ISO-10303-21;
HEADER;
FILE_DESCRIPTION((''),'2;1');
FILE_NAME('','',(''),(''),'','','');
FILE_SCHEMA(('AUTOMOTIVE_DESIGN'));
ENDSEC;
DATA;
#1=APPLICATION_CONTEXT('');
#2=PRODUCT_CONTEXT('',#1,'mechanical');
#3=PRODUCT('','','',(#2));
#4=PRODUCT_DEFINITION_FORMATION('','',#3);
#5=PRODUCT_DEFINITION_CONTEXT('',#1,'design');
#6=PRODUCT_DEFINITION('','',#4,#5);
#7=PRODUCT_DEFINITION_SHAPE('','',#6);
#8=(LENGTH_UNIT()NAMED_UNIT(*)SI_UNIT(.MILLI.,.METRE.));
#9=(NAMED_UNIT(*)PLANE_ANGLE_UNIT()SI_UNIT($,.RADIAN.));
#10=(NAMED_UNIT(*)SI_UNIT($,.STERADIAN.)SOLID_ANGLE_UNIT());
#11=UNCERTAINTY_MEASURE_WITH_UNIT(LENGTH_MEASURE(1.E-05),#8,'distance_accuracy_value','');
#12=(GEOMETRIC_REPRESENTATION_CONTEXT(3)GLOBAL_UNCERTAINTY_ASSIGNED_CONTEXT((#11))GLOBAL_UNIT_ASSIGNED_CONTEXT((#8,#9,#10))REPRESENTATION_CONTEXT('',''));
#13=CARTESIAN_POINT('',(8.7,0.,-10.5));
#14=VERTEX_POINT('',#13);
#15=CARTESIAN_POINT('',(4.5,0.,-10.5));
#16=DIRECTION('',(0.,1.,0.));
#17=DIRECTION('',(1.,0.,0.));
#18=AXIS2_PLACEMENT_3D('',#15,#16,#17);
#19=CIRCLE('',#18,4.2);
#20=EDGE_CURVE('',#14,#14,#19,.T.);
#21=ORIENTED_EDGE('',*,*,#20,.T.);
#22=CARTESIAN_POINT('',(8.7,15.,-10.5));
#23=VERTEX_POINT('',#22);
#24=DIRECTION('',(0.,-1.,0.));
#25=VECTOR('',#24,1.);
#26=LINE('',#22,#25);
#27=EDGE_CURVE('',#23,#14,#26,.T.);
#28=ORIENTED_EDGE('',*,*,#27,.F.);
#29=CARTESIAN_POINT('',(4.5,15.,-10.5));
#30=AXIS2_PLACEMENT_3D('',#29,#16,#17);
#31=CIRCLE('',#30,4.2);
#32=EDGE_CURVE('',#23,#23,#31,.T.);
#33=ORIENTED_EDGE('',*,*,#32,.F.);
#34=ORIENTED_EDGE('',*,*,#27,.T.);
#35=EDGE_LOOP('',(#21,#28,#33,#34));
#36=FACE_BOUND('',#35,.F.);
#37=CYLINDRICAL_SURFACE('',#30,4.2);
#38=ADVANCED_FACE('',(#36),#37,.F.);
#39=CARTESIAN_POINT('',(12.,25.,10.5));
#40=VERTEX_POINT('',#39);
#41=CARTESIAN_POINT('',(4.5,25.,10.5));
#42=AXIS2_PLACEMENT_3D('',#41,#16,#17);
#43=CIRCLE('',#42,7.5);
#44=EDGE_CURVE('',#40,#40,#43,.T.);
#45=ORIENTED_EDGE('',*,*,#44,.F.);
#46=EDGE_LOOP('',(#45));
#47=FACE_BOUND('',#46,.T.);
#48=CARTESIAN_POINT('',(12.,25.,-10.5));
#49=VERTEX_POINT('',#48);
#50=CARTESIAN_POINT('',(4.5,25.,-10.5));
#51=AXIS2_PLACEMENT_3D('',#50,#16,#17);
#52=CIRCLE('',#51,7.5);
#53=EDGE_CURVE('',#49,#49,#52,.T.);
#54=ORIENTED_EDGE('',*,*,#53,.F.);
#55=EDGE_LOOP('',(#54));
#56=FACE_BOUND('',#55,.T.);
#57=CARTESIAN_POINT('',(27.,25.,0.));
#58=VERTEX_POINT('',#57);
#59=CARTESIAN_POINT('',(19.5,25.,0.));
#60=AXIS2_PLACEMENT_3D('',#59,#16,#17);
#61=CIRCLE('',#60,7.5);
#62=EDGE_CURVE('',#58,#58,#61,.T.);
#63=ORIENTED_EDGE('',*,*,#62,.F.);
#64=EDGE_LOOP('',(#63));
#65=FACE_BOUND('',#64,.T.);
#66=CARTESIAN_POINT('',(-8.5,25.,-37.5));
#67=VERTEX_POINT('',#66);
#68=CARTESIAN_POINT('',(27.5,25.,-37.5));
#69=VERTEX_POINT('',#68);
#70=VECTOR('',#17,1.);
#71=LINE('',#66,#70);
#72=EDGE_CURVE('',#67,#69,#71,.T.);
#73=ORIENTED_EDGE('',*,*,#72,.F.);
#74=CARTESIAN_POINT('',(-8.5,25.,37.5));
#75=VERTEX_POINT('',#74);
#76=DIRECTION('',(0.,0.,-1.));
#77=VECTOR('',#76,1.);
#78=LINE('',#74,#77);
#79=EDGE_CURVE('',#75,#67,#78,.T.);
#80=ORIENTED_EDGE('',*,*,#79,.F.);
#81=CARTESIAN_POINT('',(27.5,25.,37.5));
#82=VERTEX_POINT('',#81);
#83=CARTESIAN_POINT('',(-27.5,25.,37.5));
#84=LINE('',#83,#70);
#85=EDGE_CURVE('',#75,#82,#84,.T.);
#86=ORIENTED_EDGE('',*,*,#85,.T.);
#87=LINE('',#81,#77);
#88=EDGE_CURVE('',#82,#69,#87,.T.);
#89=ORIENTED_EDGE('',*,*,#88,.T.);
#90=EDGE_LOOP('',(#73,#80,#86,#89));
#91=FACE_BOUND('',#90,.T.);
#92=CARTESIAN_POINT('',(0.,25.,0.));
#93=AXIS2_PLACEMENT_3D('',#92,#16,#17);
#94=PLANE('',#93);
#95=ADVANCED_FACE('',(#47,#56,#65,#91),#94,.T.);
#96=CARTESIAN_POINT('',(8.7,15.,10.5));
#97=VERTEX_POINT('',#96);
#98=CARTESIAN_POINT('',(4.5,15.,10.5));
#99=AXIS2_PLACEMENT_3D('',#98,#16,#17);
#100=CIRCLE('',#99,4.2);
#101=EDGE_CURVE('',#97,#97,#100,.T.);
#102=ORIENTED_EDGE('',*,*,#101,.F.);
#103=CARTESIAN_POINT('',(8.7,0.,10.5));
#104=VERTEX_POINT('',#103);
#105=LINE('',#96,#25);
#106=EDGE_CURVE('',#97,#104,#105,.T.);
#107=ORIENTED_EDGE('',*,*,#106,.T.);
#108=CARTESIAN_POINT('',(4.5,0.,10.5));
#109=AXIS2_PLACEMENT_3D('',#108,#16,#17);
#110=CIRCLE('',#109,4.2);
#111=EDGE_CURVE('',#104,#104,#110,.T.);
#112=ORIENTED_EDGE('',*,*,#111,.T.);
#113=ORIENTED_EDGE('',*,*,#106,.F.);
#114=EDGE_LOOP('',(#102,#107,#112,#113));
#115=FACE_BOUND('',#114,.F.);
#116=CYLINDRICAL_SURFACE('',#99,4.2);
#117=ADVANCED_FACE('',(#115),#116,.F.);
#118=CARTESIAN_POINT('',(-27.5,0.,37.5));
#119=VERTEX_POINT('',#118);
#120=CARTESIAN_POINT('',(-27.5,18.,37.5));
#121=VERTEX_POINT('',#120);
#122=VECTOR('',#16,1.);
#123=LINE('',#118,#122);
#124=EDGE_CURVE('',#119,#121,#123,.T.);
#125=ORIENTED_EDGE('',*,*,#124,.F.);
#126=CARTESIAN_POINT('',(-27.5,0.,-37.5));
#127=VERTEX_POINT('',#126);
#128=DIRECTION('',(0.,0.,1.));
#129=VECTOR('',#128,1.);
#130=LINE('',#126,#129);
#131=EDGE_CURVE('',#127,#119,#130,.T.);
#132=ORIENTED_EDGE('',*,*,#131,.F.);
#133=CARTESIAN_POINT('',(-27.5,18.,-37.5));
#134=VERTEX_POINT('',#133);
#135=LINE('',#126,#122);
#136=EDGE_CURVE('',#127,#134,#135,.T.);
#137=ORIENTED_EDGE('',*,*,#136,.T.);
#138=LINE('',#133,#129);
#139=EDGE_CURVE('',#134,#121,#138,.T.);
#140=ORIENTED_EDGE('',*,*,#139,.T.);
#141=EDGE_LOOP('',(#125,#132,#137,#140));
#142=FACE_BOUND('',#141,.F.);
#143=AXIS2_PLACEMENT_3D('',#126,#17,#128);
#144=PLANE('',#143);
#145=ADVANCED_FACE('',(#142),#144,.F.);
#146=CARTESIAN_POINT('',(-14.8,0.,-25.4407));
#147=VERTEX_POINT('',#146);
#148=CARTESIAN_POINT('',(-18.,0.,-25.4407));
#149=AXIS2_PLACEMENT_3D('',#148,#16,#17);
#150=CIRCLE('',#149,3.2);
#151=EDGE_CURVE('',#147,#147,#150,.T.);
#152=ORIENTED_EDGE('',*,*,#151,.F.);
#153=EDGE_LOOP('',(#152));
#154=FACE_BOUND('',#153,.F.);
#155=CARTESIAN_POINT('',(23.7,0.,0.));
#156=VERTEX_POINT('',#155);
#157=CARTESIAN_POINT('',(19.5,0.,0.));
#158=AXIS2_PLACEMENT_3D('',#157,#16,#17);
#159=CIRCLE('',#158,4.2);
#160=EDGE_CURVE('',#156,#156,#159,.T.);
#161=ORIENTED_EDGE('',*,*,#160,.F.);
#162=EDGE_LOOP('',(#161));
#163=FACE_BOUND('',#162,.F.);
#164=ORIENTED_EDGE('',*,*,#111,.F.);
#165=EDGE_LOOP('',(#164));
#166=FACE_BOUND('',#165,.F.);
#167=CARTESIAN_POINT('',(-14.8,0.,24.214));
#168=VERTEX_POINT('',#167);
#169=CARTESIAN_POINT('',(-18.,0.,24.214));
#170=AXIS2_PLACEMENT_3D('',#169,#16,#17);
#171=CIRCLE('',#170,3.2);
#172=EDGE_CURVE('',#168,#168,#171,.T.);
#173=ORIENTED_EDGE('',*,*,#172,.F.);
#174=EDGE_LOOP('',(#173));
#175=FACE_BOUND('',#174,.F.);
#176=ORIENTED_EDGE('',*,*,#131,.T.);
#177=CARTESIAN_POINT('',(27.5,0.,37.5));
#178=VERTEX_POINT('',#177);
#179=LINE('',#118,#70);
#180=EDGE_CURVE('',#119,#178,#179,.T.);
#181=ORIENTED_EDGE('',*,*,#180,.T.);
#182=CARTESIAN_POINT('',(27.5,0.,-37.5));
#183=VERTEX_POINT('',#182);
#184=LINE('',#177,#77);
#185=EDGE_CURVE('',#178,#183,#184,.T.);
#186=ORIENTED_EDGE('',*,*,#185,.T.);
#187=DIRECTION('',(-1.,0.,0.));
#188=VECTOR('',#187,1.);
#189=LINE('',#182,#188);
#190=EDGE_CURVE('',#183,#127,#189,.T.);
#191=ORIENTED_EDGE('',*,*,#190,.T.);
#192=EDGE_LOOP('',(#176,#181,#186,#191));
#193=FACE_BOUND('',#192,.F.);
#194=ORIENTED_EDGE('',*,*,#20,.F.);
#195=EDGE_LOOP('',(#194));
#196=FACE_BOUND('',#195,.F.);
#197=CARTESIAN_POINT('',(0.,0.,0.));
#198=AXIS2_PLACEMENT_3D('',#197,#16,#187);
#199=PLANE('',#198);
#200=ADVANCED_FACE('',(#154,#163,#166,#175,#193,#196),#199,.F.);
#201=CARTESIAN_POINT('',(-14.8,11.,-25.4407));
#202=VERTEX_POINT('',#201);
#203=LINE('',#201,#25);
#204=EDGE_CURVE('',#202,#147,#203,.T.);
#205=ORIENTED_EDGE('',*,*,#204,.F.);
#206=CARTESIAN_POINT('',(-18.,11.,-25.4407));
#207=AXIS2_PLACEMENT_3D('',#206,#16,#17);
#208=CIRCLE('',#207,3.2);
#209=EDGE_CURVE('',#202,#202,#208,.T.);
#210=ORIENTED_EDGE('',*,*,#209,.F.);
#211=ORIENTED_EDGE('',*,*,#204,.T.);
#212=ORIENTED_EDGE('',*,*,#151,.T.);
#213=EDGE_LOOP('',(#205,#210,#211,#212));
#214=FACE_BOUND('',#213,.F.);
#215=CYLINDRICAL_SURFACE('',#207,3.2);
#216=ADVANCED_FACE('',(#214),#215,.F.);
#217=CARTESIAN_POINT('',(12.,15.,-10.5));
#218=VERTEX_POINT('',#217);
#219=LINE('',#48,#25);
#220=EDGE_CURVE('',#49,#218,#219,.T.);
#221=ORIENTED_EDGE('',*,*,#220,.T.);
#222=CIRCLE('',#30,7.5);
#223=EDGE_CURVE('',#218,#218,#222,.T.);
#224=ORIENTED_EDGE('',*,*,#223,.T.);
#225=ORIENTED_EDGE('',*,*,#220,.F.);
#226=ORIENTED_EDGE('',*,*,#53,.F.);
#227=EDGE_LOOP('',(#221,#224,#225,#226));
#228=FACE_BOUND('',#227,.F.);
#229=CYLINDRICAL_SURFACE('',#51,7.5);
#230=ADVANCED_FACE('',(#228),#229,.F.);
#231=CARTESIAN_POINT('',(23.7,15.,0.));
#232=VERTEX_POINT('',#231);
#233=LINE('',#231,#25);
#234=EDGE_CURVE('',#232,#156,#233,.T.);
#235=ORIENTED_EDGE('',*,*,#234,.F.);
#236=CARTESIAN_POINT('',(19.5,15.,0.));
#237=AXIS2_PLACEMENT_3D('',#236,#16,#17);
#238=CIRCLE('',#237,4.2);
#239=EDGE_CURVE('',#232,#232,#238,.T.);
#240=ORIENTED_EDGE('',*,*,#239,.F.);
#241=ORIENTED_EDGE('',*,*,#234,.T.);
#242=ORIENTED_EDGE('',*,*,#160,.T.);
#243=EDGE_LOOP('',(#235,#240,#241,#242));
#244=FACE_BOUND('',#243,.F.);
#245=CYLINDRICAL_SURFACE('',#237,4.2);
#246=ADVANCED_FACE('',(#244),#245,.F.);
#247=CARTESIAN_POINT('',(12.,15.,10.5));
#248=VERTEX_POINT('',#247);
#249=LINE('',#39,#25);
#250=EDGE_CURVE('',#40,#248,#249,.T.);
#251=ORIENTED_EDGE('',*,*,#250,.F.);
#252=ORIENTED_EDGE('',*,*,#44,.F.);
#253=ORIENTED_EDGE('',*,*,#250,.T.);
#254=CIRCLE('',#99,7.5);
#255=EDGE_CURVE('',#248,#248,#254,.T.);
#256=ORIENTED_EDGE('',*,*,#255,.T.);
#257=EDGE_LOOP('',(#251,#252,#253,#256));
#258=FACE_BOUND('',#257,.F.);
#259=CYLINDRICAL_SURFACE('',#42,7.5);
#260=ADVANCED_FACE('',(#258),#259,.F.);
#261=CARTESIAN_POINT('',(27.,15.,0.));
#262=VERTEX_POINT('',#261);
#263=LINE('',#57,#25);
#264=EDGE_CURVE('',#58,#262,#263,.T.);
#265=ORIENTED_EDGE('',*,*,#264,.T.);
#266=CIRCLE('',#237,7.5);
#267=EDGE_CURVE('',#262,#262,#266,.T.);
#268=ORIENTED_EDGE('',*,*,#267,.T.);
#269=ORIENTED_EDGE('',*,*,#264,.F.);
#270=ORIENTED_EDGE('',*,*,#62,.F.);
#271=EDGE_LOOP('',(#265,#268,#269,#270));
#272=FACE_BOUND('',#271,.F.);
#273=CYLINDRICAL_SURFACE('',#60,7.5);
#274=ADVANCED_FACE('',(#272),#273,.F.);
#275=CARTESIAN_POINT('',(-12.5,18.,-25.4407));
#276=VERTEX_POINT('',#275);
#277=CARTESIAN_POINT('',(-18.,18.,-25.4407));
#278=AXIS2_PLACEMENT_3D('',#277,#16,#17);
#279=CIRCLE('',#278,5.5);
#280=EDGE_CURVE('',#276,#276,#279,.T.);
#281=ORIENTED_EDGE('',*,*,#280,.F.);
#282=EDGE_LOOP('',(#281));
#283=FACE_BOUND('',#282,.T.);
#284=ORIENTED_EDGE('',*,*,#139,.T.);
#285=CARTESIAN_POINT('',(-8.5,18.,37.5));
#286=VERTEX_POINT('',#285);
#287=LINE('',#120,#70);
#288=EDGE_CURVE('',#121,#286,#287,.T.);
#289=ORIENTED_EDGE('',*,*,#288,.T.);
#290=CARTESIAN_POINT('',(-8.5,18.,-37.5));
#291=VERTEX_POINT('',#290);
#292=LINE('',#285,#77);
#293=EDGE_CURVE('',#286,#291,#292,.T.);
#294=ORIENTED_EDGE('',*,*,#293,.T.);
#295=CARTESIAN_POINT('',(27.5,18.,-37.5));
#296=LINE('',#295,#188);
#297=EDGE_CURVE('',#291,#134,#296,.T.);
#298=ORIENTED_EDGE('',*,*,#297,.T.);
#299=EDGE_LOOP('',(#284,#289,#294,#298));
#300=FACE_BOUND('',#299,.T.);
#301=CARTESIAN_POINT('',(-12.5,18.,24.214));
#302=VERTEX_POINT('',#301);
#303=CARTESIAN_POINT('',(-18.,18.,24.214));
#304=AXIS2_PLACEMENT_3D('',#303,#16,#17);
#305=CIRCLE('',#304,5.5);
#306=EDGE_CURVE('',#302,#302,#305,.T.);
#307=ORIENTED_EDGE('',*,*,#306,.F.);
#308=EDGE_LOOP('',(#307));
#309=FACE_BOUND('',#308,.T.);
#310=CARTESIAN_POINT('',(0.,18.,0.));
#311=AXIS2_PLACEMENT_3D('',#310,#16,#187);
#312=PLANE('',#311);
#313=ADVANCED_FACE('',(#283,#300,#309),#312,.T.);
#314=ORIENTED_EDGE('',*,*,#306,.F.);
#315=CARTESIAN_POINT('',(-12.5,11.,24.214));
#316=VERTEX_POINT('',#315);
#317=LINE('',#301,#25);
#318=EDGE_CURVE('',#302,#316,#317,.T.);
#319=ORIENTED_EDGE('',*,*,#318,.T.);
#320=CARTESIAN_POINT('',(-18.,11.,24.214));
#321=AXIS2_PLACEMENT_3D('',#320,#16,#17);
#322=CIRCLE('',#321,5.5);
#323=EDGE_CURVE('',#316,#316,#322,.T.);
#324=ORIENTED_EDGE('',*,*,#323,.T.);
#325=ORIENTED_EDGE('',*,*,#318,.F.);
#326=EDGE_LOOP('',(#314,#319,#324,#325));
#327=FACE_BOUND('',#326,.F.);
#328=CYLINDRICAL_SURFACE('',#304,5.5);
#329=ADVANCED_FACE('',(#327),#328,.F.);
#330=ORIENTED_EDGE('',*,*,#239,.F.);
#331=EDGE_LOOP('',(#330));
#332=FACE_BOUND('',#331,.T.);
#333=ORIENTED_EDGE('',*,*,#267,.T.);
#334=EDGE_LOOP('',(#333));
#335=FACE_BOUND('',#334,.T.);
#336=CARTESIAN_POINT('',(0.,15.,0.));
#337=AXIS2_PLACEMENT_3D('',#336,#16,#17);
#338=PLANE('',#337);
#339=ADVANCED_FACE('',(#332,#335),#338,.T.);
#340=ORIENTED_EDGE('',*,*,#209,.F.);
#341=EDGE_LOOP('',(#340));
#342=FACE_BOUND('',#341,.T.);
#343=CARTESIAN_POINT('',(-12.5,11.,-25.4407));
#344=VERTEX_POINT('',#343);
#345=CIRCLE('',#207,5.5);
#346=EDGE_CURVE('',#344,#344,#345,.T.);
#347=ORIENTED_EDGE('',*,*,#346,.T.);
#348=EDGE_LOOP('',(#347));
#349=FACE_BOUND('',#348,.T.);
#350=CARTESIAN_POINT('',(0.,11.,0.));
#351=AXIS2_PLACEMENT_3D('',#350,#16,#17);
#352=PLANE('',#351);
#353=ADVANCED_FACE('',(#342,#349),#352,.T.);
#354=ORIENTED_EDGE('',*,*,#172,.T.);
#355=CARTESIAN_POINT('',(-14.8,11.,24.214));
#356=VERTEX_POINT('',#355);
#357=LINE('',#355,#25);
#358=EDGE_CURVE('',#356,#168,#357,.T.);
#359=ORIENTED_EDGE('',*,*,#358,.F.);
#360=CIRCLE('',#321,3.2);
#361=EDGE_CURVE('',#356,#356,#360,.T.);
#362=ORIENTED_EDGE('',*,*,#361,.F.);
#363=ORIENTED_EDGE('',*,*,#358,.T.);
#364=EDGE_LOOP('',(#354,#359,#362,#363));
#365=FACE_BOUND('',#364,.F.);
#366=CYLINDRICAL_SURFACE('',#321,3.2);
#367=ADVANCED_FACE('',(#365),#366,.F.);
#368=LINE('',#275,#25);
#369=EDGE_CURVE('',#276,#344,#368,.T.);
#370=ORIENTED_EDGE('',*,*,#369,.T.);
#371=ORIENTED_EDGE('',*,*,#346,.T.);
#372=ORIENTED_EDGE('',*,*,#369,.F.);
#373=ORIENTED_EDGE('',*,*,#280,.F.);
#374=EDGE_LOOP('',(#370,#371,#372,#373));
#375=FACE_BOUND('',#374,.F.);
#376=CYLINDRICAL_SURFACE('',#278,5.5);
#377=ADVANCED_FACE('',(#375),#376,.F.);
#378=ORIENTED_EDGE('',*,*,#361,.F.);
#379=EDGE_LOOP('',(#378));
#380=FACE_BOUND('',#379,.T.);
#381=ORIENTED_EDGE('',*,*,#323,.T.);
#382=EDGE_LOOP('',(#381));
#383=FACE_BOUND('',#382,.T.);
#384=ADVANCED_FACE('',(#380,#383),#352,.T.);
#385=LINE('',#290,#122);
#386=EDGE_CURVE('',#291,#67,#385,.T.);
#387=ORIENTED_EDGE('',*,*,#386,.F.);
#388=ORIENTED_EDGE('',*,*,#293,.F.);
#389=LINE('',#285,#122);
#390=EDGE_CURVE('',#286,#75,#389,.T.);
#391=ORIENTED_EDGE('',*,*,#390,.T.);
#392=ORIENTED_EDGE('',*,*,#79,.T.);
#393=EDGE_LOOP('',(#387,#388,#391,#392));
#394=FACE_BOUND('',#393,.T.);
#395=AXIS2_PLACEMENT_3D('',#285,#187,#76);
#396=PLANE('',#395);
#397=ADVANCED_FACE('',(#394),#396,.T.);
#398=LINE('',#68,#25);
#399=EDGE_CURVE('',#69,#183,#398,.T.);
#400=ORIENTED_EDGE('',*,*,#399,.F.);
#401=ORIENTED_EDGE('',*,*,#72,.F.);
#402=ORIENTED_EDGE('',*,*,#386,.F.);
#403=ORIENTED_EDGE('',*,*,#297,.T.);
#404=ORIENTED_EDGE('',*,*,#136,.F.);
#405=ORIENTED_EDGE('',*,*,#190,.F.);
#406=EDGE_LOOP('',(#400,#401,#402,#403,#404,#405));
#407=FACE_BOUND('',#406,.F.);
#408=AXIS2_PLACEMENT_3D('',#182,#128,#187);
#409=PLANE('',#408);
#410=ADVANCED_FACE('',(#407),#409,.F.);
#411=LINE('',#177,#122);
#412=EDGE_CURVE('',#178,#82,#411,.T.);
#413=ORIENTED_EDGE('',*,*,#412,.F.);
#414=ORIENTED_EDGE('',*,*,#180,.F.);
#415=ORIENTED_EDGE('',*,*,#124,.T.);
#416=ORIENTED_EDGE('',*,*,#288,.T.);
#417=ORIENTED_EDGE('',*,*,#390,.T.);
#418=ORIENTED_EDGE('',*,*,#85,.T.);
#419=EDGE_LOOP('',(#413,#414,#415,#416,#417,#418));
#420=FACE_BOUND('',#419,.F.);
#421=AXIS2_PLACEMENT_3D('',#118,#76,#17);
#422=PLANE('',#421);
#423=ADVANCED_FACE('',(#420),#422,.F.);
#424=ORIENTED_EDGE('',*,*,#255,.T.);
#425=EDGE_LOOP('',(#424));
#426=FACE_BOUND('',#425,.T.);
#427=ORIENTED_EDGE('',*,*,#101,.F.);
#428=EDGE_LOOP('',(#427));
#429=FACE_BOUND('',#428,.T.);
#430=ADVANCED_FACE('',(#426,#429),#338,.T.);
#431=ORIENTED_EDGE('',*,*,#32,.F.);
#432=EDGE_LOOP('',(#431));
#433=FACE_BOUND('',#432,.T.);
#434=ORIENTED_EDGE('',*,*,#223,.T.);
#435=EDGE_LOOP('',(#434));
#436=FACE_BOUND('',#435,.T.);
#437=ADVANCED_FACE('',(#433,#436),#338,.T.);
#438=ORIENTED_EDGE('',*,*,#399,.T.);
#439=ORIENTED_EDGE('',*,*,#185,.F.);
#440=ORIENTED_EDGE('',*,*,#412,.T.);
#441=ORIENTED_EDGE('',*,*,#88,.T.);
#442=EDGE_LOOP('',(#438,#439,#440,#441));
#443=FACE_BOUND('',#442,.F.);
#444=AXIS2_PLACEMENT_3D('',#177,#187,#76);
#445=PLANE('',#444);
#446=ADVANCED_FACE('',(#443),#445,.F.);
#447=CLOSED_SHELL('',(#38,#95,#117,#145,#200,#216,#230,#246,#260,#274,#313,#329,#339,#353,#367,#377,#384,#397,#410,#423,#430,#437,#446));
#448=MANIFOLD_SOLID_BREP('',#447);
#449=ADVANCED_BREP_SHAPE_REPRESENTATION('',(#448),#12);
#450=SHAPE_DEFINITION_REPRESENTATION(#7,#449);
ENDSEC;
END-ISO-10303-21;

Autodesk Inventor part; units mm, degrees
ref_plane "YZ Plane" through (0, 0, 0) normal (1, 0, 0) x (0, 1, 0)
ref_plane "XZ Plane" through (0, 0, 0) normal (0, 1, 0) x (-1, 0, 0)
ref_plane "XY Plane" through (0, 0, 0) normal (0, 0, 1) x (1, 0, 0)
sketch "Sketch1" plane through (0, 0, 0) normal (0, 1, 0) x (-1, 0, 0)
  line L0 (27.5, 37.5) -> (-27.5, 37.5)
  line L1 (-27.5, 37.5) -> (-27.5, -37.5)
  line L2 (-27.5, -37.5) -> (27.5, -37.5)
  line L3 (27.5, -37.5) -> (27.5, 37.5)
  line L4 (27.5, 37.5) -> (-27.5, -37.5) construction
  line L5 (-27.5, 37.5) -> (27.5, -37.5) construction
  point P0 (0, 0)
  dimension "d0" = 75
  dimension "d1" = 55
extrude "Extrusion1" add sketch "Sketch1" along normal blind 18
sketch "Sketch2" plane through (0, 18, 0) normal (0, 1, 0) x (1, 0, 0)
  line L0 (-27.5, -37.5) -> (27.5, -37.5) projected
  line L1 (-8.5, -37.5) -> (-8.5, 37.5)
  line L2 (27.5, -37.5) -> (27.5, 37.5) projected
  line L3 (-8.5, 37.5) -> (27.5, 37.5)
  line L4 (-8.5, -37.5) -> (27.5, -37.5)
  dimension "d4" = 36
extrude "Extrusion2" add sketch "Sketch2" along normal blind 7
sketch "Sketch3" plane through (0, 18, 0) normal (0, 1, 0) x (1, 0, 0)
  line L0 (27.5, 37.5) -> (-27.5, 37.5) projected
  line L1 (-27.5, 37.5) -> (-27.5, -37.5) projected
  line L2 (-8.5, 37.5) -> (-8.5, -37.5) projected
  circle A0 centre (-18, 25.4407) radius 5.5
  circle A1 centre (-18, -24.214) radius 5.5
  point P0 (0, 0)
  dimension "d9" = 19
  dimension "d10" = 11
  dimension "d11" = 11
extrude "Extrusion3" cut sketch "Sketch3" against normal blind 7
sketch "Sketch4" plane through (-18, 11, -25.4407) normal (0, 1, 0) x (1, 0, 0)
  circle A0 centre (0, 0) radius 3.2
  circle A1 centre (0, -49.6547) radius 5.5 projected
  circle A2 centre (0, -49.6547) radius 3.2
  point P0 (18, -25.4407)
  dimension "d14" = 6.4
  dimension "d15" = 6.4
extrude "Extrusion4" cut sketch "Sketch4" against normal blind 15 contours A0 | A2
sketch "Sketch5" plane through (0, 25, 0) normal (0, 1, 0) x (1, 0, 0)
  circle A0 centre (19.5, 0) radius 7.5
  circle A1 centre (4.5, 10.5) radius 7.5
  circle A2 centre (4.5, -10.5) radius 7.5
  line L0 (27.5, -37.5) -> (27.5, 37.5) projected
  point P0 (0, 0)
  dimension "d18" = 15
  dimension "d19" = 15
  dimension "d20" = 15
  dimension "d21" = 23
  dimension "d22" = 23
  dimension "d23" = 8
  dimension "d26" = 21
  dimension "d27" = 10.5
  dimension "d28" = 10.5
extrude "Extrusion5" cut sketch "Sketch5" against normal blind 10
sketch "Sketch6" plane through (4.5, 15, 10.5) normal (0, 1, 0) x (1, 0, 0)
  circle A0 centre (0, 0) radius 4.2
  circle A1 centre (0, 21) radius 7.5 projected
  circle A2 centre (0, 21) radius 4.2
  circle A3 centre (15, 10.5) radius 7.5 projected
  circle A4 centre (15, 10.5) radius 4.2
  point P0 (-4.5, 10.5)
  dimension "d29" = 8.4
  dimension "d30" = 8.4
  dimension "d31" = 8.4
extrude "Extrusion6" cut sketch "Sketch6" against normal blind 20 contours A0 | A2 | A4
properties part number "Feste Backe"
